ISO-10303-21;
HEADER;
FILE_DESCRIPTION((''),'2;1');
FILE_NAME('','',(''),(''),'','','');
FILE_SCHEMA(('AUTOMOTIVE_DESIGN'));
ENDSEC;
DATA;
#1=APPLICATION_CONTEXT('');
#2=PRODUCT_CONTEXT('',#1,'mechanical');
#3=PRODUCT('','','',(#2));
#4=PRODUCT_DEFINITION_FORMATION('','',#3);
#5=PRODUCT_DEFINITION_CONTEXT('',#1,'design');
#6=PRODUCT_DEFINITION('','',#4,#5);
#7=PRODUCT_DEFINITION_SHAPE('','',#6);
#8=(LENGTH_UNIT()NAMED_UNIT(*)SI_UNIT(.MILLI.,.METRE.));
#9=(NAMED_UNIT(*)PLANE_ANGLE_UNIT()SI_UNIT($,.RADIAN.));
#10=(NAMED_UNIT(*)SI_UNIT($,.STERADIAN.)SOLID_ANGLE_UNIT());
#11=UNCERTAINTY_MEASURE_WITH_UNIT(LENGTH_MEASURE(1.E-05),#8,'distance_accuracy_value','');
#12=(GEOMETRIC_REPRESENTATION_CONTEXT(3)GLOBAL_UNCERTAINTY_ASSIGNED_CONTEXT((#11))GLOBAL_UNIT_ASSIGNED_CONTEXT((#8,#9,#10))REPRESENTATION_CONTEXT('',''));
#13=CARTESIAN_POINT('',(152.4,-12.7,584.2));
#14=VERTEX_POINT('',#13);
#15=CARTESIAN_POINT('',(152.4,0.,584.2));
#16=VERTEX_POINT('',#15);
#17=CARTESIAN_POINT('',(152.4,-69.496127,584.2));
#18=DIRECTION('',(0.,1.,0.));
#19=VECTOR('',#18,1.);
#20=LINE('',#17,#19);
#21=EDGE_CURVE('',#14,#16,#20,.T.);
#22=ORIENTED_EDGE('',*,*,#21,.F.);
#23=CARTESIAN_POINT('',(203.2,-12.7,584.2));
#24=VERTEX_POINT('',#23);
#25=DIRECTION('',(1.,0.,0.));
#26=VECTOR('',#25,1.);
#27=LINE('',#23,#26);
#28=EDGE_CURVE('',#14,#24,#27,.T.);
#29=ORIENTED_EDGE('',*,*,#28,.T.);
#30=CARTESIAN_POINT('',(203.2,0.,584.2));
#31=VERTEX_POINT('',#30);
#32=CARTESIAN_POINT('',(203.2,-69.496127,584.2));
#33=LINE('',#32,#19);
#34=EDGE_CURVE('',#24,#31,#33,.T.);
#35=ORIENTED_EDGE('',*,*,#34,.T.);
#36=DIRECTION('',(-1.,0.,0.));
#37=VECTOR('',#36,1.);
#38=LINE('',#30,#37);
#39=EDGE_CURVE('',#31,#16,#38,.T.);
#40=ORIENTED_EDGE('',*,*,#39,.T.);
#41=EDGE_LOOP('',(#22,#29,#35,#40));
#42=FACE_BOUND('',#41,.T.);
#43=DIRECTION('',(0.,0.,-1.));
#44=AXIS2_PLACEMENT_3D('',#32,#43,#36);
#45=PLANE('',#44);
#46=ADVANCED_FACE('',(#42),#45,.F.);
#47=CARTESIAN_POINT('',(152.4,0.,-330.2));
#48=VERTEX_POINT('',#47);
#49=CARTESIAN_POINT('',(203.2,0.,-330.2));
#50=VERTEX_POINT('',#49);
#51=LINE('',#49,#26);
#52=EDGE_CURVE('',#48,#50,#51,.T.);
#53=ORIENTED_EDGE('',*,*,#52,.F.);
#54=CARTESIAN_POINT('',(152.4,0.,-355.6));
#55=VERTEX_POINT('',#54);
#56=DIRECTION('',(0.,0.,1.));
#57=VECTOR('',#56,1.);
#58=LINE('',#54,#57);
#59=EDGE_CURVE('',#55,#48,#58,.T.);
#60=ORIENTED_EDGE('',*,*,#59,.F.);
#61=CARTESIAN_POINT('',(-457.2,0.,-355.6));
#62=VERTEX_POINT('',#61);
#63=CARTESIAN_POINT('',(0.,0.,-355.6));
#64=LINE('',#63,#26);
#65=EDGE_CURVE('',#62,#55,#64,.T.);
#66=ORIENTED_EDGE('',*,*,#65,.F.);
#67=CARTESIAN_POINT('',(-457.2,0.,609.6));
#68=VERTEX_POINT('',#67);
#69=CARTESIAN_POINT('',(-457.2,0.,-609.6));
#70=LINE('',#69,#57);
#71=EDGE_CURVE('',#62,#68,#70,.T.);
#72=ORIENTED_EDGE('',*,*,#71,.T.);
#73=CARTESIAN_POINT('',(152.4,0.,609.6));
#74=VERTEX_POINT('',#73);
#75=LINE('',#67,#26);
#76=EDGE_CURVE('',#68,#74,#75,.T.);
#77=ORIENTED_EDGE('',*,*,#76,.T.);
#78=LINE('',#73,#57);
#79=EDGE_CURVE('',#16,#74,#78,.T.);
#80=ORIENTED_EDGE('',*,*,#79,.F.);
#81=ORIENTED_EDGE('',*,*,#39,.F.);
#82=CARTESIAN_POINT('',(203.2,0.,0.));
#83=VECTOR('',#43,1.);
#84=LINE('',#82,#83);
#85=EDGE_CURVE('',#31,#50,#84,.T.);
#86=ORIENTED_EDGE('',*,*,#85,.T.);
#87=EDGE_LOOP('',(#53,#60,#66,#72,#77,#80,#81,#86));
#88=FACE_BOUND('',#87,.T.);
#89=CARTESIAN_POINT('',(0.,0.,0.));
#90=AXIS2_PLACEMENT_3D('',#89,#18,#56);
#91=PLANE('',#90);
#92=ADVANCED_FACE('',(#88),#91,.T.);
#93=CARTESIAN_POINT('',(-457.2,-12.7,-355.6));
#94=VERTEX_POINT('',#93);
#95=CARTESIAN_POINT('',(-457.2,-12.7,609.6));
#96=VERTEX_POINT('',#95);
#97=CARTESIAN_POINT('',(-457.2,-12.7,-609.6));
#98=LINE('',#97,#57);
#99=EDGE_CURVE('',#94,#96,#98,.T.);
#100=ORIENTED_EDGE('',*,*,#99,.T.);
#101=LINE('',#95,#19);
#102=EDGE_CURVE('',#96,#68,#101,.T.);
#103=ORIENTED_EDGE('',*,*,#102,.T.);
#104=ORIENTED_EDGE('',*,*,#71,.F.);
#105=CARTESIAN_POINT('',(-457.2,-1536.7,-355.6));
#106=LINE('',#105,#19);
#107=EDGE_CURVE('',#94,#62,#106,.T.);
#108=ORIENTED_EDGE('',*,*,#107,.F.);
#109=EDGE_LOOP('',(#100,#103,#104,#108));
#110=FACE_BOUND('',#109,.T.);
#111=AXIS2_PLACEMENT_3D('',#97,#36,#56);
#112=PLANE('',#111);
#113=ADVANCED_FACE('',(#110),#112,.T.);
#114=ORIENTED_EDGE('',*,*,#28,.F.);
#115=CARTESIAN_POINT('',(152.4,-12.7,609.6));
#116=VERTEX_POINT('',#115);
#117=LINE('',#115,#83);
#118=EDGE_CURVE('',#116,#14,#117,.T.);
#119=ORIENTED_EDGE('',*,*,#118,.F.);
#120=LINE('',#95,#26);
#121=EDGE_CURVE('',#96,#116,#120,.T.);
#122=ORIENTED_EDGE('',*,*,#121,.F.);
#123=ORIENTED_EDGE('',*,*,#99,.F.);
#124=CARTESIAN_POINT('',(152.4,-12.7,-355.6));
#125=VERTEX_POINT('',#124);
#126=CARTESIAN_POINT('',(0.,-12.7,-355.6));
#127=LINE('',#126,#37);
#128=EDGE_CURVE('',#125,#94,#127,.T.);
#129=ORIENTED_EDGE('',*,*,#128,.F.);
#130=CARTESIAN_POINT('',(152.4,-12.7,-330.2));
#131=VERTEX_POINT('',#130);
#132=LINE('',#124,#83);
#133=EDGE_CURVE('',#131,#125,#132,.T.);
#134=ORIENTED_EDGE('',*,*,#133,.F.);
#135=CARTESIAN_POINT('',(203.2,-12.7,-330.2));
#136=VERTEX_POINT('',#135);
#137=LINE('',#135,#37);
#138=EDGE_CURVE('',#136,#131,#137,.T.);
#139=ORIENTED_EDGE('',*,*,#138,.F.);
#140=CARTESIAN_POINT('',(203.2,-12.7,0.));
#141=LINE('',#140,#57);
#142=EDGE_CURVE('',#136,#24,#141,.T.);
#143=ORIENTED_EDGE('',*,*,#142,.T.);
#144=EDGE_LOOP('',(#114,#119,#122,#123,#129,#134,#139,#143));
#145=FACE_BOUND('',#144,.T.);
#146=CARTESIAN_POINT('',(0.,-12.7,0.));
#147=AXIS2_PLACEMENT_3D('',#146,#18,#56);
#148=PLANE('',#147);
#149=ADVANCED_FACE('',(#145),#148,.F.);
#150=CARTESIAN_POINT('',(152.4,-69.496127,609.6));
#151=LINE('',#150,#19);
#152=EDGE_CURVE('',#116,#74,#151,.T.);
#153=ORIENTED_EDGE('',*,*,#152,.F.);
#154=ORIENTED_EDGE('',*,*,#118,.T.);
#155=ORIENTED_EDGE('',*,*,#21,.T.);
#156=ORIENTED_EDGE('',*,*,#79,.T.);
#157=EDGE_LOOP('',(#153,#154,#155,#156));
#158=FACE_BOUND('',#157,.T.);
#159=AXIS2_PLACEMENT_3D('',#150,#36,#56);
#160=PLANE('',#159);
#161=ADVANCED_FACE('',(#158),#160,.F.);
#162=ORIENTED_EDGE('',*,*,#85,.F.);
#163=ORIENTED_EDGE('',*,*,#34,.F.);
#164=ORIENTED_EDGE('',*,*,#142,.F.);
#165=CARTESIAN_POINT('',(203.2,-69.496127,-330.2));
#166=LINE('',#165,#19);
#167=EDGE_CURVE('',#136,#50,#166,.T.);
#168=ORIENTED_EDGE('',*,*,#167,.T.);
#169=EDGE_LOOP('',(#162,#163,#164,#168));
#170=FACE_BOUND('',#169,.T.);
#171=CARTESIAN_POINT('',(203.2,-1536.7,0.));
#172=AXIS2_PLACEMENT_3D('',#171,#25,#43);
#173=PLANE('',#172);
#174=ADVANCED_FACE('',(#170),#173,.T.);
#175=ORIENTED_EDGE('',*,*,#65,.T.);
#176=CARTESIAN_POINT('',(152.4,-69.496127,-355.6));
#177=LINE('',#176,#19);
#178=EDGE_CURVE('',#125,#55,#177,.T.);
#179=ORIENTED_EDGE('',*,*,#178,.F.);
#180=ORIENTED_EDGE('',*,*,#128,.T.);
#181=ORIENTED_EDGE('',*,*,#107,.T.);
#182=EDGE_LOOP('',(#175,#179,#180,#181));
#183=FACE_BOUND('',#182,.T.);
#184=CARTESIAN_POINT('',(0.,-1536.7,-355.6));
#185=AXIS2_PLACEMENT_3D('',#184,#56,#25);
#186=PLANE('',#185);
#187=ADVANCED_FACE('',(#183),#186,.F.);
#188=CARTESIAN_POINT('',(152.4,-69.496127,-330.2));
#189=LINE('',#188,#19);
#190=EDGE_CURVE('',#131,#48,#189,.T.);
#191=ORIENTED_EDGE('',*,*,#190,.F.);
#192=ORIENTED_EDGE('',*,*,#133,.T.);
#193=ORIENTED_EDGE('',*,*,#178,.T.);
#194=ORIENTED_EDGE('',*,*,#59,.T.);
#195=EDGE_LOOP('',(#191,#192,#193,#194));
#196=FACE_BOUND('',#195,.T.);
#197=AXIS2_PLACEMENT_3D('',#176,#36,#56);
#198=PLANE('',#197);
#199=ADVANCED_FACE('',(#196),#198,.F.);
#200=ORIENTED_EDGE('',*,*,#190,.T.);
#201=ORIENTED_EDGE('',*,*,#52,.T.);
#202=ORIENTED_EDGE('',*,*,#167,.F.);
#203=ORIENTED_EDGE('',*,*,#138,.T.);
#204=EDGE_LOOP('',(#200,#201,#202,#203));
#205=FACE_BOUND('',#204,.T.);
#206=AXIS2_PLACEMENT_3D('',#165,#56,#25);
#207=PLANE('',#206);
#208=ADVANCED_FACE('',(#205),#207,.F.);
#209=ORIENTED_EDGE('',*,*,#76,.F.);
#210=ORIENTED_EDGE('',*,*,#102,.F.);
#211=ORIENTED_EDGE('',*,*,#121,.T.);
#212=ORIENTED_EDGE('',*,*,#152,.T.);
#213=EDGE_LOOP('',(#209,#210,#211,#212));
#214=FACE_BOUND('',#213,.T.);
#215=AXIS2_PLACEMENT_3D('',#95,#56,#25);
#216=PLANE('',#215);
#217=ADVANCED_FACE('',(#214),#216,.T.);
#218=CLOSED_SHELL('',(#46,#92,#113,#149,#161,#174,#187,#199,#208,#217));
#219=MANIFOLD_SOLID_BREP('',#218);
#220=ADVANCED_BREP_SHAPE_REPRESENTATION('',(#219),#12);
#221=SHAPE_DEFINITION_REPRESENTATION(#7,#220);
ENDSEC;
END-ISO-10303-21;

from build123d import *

# Parameters (mm, degrees)
SKETCH3_W           = 914.4
SKETCH3_H           = 1219.2
BOSS_EXTRUDE1_DEPTH = 12.7
SKETCH4_W           = 254
SKETCH4_H           = 965.2
CUT_EXTRUDE1_DEPTH  = 12.7
SKETCH5_W           = 50.8
SKETCH5_H           = 25.4
CUT_EXTRUDE2_DEPTH  = 12.7


with BuildPart() as part:
    # Sketch3 → Boss-Extrude1 (new body)
    with BuildSketch(Plane(origin=(0, 0, 0), x_dir=(1, 0, 0), z_dir=(0, 1, 0))):
        Rectangle(SKETCH3_W, SKETCH3_H)
    extrude(amount=-BOSS_EXTRUDE1_DEPTH)

    # Sketch4 → Cut-Extrude1 (cut)
    with BuildSketch(Plane(origin=(0, 0, 0), x_dir=(1, 0, 0), z_dir=(0, 1, 0))):
        Polygon((-457.2, 609.6), (-457.2, 355.6), (203.2, 355.6), (457.2, 355.6), (457.2, 609.6), align=None)
        with Locations((330.2, -127)):
            Rectangle(SKETCH4_W, SKETCH4_H)
    extrude(amount=-CUT_EXTRUDE1_DEPTH, mode=Mode.SUBTRACT)

    # Sketch5 → Cut-Extrude2 (cut)
    with BuildSketch(Plane(origin=(0, 0, 0), x_dir=(1, 0, 0), z_dir=(0, 1, 0))):
        with Locations((177.8, 342.9)):
            Rectangle(SKETCH5_W, SKETCH5_H)
        with Locations((177.8, -596.9)):
            Rectangle(SKETCH5_W, SKETCH5_H)
    extrude(amount=-CUT_EXTRUDE2_DEPTH, mode=Mode.SUBTRACT)


solid = part.part
